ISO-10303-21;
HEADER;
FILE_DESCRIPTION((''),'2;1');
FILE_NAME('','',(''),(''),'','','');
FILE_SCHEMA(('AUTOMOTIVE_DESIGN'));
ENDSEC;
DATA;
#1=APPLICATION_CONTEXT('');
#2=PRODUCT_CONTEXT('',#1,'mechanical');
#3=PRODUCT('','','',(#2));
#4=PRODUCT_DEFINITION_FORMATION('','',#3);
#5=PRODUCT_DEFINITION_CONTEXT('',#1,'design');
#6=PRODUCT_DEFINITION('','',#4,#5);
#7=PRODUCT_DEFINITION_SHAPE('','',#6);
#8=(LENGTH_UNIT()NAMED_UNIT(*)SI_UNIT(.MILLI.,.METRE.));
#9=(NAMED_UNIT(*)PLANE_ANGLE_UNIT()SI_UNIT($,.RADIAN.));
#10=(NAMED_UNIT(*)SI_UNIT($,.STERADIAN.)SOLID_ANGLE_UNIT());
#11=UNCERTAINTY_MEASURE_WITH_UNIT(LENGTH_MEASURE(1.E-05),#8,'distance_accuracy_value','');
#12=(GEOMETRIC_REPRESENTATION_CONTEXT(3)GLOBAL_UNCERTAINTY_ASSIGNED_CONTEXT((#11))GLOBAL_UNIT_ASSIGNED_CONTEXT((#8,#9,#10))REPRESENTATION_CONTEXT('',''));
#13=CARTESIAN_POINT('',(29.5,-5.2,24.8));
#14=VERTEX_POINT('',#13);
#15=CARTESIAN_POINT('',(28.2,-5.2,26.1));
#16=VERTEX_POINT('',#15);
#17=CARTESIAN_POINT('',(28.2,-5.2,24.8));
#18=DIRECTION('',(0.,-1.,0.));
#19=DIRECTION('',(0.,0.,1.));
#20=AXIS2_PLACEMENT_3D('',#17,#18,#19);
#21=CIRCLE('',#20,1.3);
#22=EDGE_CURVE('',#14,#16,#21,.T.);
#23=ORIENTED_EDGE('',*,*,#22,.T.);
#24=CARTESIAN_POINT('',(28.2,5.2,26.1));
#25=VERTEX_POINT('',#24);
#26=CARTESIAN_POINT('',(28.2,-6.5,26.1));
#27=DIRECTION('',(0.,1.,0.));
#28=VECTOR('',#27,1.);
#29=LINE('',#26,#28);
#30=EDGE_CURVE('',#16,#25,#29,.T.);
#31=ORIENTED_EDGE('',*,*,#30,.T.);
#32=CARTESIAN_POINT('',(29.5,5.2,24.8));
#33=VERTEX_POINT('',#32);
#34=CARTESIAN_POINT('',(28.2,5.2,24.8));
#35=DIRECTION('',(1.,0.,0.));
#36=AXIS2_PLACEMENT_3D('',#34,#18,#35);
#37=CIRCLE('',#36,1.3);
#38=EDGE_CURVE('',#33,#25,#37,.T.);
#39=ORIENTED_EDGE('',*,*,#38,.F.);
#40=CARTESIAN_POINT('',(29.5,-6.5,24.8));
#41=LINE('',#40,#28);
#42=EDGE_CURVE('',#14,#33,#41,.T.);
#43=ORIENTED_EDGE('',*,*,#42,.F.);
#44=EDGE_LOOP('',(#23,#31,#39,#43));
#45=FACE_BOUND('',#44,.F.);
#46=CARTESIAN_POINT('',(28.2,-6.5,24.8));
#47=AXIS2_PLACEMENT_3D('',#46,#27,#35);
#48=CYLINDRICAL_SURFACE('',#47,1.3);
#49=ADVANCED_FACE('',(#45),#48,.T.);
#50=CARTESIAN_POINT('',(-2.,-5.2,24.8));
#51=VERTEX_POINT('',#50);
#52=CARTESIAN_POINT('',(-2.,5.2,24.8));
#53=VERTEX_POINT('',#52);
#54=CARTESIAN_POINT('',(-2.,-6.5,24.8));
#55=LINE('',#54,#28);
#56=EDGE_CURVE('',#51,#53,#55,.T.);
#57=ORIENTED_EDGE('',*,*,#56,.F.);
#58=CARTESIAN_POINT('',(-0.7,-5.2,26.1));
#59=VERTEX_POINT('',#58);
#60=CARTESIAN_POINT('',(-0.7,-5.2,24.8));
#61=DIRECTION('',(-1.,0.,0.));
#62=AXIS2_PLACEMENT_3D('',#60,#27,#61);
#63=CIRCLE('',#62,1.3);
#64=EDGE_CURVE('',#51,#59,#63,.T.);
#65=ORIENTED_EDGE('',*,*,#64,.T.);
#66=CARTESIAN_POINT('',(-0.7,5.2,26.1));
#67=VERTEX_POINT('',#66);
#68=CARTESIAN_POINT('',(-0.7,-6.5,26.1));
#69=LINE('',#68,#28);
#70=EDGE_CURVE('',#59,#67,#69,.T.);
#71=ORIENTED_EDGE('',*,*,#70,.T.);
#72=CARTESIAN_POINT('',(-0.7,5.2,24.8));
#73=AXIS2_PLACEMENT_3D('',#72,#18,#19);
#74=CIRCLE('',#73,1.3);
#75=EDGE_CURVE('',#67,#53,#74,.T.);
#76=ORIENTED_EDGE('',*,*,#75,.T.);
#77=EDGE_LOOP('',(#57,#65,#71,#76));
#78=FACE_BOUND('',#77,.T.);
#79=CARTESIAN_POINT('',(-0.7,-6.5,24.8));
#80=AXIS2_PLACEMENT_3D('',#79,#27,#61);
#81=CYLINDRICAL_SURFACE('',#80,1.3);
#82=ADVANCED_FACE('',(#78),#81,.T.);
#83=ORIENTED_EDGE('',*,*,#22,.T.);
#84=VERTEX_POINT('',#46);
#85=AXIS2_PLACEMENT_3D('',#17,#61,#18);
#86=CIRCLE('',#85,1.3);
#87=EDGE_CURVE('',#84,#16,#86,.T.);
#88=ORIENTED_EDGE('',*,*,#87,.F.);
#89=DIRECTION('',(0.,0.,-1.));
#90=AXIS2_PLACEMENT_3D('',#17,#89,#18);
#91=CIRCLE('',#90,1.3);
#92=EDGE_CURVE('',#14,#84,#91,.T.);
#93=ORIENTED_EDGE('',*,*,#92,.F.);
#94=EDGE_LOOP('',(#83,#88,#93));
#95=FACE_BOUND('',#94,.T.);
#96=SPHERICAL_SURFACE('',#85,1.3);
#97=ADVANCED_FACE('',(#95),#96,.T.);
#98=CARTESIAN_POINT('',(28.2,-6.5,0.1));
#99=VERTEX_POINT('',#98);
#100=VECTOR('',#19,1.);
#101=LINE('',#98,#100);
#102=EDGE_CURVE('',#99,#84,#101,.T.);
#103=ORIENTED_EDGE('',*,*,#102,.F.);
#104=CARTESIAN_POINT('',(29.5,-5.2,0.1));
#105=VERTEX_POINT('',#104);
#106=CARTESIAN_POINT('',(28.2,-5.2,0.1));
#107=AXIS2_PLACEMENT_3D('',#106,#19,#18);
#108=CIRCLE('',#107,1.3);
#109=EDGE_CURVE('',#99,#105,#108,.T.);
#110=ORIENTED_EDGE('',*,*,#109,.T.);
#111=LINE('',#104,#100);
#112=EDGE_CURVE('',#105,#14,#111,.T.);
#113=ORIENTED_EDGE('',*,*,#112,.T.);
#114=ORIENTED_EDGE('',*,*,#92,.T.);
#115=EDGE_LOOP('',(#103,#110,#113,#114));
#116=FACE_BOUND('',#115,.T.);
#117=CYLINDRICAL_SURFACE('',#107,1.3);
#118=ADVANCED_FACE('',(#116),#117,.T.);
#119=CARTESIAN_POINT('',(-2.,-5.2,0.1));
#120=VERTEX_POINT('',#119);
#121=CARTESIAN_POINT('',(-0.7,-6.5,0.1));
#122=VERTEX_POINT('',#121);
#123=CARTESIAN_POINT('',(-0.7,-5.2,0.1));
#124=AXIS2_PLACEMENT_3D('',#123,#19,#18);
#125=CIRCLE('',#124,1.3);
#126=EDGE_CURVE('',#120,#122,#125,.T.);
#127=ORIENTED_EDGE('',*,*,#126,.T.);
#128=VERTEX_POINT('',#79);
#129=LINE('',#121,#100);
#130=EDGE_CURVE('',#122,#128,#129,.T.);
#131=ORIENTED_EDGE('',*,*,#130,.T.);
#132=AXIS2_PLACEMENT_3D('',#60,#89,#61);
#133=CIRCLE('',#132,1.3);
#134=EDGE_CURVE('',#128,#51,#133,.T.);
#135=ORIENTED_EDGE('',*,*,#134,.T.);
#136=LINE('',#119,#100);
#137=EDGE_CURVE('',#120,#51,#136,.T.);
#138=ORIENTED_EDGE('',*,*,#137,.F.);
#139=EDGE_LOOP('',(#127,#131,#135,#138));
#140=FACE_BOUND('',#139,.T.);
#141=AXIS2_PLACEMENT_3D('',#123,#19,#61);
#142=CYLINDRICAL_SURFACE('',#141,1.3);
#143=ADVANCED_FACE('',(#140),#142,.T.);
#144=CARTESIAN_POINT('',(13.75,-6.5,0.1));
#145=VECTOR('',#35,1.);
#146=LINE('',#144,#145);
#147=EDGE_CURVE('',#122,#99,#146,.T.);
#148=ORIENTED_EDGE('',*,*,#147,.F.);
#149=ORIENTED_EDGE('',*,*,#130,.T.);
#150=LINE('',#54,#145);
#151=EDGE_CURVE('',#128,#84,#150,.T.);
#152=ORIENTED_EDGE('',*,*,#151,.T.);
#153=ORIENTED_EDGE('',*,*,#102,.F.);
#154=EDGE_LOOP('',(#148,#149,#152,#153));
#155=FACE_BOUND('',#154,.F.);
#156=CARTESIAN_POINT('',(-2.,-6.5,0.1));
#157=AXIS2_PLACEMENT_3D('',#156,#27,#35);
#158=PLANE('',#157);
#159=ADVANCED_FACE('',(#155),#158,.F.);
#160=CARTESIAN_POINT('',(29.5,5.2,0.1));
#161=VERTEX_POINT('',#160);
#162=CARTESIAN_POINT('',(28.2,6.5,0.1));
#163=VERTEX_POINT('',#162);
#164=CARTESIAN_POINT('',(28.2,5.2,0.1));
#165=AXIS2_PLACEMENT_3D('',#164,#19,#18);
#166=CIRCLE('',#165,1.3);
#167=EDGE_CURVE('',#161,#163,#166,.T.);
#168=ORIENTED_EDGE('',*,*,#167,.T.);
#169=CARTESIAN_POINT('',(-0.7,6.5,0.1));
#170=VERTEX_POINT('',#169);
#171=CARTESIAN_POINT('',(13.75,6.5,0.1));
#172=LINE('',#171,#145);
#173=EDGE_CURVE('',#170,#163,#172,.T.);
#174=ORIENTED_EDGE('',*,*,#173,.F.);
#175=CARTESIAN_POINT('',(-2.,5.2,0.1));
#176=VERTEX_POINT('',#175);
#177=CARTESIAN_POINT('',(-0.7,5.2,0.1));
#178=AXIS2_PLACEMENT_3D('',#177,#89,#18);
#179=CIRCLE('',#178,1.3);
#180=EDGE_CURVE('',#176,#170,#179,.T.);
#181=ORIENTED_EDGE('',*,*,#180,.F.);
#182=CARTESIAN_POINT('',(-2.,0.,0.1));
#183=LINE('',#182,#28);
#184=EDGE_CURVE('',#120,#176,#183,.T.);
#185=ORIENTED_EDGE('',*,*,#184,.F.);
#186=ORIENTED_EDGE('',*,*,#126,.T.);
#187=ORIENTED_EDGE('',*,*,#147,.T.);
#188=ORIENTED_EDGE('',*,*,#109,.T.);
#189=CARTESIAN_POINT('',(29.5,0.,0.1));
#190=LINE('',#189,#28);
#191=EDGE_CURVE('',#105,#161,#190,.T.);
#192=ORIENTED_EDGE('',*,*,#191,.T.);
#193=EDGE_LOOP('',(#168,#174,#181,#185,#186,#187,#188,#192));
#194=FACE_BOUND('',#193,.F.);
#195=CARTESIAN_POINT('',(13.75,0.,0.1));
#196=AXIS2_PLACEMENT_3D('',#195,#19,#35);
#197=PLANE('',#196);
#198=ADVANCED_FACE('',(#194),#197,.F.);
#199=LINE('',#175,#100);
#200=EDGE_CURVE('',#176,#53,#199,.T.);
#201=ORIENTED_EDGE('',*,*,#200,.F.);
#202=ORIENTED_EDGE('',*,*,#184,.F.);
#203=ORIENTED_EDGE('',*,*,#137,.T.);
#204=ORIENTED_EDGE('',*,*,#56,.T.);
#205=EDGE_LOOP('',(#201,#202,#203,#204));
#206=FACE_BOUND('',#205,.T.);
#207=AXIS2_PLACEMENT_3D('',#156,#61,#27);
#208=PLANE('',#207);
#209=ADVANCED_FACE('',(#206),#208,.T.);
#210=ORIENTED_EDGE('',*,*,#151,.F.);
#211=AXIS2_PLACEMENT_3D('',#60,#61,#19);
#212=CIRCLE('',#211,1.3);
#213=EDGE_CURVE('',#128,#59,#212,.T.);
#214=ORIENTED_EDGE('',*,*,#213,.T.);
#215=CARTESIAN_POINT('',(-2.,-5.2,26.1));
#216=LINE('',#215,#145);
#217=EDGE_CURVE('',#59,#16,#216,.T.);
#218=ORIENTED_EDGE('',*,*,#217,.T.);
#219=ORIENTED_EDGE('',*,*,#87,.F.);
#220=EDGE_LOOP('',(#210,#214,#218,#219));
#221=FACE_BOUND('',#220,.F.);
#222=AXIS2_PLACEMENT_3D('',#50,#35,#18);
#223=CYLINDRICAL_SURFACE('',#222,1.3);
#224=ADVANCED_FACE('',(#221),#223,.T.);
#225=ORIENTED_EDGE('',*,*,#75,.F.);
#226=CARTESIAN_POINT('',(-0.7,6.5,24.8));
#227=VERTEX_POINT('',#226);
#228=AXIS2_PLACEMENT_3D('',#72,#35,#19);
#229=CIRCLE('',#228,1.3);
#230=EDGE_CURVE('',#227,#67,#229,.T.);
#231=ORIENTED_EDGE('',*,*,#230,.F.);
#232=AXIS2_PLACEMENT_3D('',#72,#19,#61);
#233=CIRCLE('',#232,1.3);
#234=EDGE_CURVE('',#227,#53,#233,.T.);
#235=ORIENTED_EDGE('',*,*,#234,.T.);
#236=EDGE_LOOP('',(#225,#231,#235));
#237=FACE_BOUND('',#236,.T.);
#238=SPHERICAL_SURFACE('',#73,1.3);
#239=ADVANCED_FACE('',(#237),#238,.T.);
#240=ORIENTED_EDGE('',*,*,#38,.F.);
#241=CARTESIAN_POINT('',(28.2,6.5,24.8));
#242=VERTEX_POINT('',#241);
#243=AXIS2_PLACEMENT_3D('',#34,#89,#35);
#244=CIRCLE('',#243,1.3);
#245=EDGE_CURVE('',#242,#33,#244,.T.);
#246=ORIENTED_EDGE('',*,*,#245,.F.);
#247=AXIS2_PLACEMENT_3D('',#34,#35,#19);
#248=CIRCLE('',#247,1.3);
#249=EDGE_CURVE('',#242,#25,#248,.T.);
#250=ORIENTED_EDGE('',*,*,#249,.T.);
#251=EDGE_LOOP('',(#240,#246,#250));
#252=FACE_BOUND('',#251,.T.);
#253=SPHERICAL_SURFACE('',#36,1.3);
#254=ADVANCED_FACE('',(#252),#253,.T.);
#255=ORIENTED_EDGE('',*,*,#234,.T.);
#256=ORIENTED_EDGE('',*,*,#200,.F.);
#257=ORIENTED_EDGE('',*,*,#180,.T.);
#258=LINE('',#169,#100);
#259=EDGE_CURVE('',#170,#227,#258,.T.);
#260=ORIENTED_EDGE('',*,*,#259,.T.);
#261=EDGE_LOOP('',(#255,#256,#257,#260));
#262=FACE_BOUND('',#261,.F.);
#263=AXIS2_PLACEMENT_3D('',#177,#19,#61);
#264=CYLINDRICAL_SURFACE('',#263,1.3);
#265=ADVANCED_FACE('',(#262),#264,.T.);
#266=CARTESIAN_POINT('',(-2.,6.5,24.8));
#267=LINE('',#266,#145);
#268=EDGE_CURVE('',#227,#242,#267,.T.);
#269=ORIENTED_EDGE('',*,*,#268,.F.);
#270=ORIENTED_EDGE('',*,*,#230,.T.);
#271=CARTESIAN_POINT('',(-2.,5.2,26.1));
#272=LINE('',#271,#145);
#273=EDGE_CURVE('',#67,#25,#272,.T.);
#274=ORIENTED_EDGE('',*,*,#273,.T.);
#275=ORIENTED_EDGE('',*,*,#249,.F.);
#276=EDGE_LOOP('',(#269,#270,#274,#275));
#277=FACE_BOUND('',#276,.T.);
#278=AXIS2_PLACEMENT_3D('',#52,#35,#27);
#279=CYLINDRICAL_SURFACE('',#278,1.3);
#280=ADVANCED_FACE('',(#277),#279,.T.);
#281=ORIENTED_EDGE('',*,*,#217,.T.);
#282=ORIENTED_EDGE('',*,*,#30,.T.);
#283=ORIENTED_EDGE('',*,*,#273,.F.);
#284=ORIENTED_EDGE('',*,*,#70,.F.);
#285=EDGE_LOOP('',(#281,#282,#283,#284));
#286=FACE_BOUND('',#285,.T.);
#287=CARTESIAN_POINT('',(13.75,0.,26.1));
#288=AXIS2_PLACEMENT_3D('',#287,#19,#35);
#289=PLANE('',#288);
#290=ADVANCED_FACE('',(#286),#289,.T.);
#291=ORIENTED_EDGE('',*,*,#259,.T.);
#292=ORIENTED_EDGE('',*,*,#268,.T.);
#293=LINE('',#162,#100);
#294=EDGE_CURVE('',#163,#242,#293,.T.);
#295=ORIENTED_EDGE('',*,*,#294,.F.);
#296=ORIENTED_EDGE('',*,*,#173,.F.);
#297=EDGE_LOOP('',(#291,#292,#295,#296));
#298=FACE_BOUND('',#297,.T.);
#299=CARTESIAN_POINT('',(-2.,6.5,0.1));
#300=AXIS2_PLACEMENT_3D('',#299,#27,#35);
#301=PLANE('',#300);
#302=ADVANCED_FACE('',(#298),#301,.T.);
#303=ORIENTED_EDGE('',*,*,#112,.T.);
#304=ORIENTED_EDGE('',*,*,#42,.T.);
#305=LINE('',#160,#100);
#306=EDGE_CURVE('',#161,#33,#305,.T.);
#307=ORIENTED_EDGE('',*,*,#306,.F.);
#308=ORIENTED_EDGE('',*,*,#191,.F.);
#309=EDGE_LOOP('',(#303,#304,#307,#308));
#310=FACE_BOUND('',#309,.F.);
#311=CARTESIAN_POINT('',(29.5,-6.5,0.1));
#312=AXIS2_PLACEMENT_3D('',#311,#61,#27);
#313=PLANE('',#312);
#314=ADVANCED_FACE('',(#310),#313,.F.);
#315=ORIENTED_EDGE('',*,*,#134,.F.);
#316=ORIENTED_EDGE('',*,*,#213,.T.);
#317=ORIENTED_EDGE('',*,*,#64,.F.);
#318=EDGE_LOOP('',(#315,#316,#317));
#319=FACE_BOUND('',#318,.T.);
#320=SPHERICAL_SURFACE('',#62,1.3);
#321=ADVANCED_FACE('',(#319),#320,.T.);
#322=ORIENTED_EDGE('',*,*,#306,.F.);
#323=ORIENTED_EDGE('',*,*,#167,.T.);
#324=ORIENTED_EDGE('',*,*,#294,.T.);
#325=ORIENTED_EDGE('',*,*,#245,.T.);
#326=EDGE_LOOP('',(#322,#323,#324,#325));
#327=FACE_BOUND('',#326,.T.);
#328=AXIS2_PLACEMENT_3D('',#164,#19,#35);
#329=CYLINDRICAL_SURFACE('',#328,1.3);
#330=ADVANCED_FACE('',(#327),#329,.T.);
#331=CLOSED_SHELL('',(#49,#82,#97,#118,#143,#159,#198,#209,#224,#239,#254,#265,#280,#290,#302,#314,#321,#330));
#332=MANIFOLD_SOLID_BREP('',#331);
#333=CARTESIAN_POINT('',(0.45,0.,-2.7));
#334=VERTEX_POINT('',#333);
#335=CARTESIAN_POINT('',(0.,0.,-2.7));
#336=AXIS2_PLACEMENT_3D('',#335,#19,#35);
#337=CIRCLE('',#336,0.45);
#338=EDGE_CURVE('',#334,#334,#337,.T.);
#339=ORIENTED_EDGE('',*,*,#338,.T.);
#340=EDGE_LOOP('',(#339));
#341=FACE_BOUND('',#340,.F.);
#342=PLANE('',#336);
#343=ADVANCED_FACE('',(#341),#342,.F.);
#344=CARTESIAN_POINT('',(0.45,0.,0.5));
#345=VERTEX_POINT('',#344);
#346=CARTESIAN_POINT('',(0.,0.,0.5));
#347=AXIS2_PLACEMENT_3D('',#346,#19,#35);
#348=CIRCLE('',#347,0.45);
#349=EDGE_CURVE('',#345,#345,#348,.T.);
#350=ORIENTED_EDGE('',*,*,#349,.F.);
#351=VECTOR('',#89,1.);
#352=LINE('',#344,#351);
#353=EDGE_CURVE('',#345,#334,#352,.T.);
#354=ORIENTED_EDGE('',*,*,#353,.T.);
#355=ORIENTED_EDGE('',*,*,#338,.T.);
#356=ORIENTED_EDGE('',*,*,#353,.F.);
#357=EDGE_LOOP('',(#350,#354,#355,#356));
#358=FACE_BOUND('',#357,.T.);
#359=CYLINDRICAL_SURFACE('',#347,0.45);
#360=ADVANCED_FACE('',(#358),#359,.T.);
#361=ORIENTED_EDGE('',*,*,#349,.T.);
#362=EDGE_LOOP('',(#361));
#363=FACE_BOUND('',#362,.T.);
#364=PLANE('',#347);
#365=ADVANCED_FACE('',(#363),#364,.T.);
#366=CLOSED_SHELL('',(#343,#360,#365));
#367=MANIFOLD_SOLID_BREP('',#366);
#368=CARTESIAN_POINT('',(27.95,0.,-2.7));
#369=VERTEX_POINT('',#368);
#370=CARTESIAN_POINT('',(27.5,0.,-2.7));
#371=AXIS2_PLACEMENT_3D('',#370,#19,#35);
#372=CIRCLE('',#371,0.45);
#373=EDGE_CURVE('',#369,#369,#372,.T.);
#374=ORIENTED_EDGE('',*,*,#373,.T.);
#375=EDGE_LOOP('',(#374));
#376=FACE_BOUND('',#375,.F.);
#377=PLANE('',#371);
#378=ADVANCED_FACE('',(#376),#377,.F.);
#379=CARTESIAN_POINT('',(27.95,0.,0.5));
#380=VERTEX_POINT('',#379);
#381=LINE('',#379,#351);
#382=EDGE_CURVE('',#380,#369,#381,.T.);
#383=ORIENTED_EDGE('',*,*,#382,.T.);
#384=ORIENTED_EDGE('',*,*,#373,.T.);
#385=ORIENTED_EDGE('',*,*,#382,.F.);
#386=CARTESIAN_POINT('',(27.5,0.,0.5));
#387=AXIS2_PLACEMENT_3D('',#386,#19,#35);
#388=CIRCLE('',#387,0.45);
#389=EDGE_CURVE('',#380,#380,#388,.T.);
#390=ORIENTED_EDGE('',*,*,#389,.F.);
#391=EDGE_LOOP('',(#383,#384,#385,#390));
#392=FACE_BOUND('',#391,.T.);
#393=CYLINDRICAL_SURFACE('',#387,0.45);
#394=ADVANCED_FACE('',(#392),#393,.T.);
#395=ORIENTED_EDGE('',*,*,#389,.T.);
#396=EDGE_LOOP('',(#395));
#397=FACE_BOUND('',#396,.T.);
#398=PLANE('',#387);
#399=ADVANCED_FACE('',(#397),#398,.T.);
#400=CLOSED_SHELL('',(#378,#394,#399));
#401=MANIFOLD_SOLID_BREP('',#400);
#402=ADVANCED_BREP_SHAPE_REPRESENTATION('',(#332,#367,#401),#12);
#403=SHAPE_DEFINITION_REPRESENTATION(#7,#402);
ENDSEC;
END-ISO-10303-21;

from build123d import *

# Parameters (mm, degrees)
SKETCH_W     = 31.5
SKETCH_H     = 13
PAD_DEPTH    = 26
FILLET_R     = 1.3
SKETCH001_R  = 0.45
PAD001_DEPTH = 3.2


with BuildPart() as fillet_body:
    # Sketch → Pad (new body)
    with BuildSketch(Plane.XY.offset(0.1)):
        with Locations((13.75, 0)):
            Rectangle(SKETCH_W, SKETCH_H)
    extrude(amount=PAD_DEPTH)

    # Fillet
    fillet_edges = [fillet_body.edges().sort_by_distance(p)[0] for p in [
        (-2, 0, 26.1),
        (-2, -6.5, 13.1),
        (13.75, -6.5, 26.1),
        (29.5, -6.5, 13.1),
        (29.5, 0, 26.1),
        (29.5, 6.5, 13.1),
        (13.75, 6.5, 26.1),
        (-2, 6.5, 13.1),
    ]]
    fillet(fillet_edges, radius=FILLET_R)


with BuildPart() as pad001:
    # Sketch001 → Pad001 (new body)
    with BuildSketch(Plane.XY.offset(0.5)):
        Circle(SKETCH001_R)
        with Locations((27.5, 0)):
            Circle(SKETCH001_R)
    extrude(amount=-PAD001_DEPTH)


solid = Compound([fillet_body.part, pad001.part])
